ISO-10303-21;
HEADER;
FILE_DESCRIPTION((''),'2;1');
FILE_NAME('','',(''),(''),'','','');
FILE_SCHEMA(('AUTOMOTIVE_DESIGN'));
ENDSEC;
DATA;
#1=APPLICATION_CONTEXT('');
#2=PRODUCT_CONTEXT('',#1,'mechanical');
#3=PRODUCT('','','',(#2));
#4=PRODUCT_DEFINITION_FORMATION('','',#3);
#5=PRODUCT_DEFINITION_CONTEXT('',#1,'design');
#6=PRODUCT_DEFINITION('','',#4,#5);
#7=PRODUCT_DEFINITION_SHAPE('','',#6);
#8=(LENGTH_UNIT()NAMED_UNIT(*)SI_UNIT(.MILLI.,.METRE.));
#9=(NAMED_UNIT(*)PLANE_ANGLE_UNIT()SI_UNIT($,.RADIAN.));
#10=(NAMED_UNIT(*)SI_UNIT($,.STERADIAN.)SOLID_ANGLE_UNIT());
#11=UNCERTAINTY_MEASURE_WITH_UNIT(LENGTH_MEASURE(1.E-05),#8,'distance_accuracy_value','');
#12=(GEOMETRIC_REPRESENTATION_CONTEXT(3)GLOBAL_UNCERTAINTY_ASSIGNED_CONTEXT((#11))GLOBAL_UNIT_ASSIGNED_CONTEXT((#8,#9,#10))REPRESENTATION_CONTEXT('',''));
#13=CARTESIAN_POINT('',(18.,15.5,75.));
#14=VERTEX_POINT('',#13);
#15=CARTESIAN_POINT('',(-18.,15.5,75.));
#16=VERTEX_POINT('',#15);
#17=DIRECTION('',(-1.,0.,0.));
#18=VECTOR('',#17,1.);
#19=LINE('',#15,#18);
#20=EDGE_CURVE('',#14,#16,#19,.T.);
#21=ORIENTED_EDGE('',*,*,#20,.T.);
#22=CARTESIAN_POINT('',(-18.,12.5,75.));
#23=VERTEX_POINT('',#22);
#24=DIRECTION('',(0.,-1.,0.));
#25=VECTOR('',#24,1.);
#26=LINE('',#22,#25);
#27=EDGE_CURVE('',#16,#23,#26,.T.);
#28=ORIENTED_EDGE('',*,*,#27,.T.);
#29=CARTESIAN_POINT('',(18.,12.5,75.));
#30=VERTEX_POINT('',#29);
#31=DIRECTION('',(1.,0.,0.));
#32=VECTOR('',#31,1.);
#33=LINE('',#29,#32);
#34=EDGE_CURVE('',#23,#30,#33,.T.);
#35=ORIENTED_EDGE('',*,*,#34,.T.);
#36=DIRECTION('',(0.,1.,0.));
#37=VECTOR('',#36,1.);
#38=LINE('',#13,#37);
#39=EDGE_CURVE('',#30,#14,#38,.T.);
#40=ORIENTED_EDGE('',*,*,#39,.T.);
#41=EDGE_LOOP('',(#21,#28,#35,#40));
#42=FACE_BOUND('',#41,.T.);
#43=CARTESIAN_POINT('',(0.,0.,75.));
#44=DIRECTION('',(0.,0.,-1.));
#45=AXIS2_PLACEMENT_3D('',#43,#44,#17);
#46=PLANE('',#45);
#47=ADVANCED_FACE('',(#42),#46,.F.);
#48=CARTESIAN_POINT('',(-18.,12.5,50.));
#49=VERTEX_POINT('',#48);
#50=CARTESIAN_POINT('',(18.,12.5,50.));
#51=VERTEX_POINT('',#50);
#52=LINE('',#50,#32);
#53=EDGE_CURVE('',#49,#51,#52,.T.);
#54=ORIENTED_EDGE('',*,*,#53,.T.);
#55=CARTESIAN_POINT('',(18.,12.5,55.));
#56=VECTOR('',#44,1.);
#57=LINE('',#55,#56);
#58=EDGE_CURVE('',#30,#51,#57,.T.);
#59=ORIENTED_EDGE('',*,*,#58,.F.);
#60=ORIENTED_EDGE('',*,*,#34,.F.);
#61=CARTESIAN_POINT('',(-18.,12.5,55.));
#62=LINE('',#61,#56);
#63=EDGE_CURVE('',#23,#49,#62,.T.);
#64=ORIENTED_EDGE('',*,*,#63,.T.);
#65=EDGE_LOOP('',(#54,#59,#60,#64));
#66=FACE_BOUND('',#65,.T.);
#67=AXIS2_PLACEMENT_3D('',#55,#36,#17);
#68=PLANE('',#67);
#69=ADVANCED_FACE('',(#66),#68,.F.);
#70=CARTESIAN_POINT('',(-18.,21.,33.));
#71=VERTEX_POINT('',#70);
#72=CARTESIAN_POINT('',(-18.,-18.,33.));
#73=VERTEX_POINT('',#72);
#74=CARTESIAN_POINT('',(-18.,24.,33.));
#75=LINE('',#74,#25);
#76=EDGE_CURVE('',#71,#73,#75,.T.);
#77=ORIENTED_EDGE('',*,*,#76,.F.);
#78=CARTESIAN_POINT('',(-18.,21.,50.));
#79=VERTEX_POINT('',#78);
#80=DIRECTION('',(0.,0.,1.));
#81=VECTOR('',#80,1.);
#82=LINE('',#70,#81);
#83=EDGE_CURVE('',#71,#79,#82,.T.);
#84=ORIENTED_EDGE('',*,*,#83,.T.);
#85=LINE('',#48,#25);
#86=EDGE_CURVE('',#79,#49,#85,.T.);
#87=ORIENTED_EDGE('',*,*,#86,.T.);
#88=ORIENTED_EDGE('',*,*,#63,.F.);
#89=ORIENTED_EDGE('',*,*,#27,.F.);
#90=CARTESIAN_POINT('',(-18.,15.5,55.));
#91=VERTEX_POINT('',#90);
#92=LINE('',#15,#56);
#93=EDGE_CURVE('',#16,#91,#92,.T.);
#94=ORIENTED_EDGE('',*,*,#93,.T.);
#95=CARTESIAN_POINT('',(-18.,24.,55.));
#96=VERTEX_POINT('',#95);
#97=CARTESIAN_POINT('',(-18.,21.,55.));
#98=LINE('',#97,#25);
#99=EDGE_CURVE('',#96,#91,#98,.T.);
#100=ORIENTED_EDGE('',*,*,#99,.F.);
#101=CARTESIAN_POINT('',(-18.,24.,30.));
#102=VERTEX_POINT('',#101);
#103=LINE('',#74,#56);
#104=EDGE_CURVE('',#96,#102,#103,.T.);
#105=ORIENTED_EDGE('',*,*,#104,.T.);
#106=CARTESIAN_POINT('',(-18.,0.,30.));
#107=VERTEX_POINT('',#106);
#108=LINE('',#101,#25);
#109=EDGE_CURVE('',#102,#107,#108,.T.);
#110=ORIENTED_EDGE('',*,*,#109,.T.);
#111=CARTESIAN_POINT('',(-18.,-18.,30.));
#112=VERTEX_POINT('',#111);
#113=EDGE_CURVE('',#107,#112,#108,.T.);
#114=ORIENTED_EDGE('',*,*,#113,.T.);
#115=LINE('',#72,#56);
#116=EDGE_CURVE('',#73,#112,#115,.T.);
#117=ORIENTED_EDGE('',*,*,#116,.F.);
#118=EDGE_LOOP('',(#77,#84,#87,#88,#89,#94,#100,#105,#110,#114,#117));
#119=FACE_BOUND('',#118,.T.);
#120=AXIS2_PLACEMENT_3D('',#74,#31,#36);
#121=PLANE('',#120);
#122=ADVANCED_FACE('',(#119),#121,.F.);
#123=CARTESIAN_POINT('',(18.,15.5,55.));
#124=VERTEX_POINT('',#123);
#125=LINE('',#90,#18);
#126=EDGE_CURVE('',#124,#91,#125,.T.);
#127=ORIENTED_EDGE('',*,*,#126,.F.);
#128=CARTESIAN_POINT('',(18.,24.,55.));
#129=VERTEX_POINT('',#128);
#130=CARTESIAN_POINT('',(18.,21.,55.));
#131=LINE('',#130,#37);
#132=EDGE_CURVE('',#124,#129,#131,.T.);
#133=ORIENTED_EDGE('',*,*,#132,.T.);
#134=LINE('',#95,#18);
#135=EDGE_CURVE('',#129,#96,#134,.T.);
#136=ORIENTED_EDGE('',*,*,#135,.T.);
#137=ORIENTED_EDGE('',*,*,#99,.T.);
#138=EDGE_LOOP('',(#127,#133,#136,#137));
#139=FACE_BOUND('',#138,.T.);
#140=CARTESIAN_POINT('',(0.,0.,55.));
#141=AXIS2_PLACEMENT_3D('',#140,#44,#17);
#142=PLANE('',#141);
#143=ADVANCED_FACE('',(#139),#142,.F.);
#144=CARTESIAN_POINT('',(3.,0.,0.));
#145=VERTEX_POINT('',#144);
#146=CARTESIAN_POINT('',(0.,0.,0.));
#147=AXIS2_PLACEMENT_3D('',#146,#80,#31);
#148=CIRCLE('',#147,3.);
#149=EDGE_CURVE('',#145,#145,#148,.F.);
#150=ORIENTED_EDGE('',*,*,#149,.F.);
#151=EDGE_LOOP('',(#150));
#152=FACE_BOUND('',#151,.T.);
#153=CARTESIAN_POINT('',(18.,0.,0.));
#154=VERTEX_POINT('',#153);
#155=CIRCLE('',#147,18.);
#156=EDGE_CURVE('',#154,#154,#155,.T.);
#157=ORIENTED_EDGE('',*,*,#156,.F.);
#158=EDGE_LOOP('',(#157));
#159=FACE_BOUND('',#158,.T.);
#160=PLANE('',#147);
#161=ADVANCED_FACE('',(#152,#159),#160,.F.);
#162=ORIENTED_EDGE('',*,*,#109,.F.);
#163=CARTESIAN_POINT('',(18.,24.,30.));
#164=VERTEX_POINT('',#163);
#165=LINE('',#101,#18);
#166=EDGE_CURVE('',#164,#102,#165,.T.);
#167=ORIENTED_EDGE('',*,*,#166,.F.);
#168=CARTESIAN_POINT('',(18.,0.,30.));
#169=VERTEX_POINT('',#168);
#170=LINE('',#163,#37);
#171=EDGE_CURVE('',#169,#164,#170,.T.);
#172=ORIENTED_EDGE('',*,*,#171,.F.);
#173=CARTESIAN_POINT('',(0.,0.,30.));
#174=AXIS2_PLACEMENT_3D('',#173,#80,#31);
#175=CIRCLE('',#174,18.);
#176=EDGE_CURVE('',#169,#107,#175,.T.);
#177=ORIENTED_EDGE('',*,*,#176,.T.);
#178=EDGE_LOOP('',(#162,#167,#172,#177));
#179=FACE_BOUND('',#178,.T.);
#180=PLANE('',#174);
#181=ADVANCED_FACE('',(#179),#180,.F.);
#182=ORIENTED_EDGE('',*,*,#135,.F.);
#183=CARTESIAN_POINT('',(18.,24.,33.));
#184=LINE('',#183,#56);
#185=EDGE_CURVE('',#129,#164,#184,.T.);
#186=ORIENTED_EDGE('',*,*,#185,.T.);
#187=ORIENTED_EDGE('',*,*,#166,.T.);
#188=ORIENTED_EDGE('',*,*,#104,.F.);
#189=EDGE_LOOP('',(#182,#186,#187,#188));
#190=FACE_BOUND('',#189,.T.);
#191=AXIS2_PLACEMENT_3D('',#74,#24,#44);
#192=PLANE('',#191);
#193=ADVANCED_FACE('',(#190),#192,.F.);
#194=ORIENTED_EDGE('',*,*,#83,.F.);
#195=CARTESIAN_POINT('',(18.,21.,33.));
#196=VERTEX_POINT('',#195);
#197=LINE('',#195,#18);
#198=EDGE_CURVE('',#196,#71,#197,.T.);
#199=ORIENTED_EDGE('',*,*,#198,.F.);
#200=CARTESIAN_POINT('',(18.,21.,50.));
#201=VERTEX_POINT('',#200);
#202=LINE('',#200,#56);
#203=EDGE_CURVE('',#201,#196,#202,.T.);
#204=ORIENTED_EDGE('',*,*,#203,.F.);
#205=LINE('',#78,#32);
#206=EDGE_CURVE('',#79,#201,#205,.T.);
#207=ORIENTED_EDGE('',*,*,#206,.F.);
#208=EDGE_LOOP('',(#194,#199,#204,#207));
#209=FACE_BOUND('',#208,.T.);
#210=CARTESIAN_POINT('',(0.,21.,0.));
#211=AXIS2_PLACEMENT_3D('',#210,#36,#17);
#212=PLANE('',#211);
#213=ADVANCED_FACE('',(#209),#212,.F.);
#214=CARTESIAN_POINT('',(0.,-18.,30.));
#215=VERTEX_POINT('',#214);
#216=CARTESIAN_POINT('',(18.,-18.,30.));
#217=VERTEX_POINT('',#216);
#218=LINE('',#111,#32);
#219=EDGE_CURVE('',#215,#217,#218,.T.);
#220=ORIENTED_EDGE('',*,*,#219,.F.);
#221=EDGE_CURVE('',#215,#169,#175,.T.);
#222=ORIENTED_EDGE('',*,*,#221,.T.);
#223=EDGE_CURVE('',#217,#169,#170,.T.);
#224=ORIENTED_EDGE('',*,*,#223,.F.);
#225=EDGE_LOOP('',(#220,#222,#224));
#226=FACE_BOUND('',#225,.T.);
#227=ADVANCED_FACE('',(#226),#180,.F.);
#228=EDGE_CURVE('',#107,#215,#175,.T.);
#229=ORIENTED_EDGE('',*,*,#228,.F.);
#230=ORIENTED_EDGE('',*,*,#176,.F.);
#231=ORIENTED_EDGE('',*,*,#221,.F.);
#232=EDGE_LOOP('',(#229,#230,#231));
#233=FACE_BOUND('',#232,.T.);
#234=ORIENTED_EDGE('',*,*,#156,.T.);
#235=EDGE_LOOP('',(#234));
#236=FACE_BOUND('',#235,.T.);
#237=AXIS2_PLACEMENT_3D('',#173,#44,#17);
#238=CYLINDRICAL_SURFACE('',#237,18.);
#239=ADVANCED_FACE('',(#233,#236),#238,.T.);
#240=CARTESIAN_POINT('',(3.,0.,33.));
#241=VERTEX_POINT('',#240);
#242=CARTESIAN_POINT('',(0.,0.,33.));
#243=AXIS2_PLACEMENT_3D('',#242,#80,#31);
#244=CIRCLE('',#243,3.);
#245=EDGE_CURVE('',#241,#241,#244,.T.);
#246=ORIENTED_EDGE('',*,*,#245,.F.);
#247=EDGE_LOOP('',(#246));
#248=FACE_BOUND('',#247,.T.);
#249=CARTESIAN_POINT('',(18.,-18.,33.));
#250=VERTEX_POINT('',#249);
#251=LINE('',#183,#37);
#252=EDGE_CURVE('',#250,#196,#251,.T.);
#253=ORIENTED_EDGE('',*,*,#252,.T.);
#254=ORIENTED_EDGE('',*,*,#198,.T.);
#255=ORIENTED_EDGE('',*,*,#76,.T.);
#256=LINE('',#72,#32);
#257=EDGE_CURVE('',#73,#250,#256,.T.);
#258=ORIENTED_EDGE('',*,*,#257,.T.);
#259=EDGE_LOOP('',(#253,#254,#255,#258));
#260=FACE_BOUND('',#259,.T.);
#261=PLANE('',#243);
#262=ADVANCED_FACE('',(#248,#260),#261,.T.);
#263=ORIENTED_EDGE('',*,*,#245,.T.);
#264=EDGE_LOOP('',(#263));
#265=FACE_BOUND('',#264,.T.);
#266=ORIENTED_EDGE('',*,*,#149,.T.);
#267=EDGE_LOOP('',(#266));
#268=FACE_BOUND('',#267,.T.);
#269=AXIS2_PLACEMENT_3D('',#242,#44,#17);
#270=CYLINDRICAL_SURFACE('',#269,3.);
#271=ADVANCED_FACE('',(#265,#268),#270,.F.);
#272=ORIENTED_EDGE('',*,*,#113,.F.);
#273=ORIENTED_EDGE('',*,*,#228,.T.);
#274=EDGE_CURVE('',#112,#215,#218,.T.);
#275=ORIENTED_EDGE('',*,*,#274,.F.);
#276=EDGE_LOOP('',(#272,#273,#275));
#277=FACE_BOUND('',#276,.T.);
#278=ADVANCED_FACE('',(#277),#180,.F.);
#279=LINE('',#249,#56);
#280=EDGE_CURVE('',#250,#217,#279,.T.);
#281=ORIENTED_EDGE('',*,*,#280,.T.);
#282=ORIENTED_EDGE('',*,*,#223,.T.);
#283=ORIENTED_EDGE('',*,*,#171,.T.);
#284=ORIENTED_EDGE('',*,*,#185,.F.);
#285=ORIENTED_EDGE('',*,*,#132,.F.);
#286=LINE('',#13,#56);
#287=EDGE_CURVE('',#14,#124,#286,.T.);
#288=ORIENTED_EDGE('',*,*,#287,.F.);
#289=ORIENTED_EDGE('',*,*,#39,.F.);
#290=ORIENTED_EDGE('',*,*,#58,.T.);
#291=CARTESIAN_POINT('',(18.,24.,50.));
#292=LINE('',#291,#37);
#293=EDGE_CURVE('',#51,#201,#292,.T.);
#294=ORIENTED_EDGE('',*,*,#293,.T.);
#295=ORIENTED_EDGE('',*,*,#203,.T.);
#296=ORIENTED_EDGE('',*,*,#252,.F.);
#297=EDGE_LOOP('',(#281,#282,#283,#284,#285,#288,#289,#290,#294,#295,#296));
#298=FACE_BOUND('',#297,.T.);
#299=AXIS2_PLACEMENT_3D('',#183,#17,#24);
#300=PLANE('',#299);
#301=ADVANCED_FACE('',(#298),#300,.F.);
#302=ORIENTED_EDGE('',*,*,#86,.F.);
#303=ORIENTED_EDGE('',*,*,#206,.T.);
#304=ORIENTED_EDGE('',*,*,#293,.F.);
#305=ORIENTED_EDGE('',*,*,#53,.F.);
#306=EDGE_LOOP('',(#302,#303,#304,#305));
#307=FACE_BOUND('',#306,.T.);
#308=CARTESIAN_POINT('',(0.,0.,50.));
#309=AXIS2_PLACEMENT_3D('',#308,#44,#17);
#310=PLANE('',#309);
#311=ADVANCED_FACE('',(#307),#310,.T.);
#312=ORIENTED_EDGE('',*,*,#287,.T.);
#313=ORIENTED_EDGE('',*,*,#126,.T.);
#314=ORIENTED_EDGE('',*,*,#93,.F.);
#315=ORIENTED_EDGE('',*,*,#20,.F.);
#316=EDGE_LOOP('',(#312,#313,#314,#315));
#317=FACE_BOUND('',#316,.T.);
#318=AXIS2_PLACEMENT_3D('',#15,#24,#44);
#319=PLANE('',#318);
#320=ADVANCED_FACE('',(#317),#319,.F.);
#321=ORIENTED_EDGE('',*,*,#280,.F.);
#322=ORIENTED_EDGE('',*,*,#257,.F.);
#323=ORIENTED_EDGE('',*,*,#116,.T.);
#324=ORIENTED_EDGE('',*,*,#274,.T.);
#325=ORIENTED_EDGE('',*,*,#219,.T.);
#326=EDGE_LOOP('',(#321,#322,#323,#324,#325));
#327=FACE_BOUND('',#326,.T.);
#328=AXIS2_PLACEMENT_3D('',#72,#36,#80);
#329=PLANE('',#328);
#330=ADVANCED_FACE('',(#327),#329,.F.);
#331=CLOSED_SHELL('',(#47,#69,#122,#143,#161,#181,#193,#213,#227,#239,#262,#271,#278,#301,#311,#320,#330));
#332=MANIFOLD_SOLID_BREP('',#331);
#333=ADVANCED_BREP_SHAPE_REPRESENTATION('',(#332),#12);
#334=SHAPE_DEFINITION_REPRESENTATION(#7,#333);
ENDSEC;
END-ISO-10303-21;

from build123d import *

# Parameters (mm, degrees)
SKETCH2_R               = 18
BOSS_EXTRUDE1_DEPTH     = 30
SKETCH4_W               = 36
SKETCH4_H               = 42
BOSS_EXTRUDE2_DEPTH     = 3
CUT_EXTRUDE1_DEPTH      = 3
CUT_EXTRUDE1_DEPTH_BACK = 60
SKETCH3_R               = 3
SKETCH6_W               = 36
SKETCH6_H               = 17
BOSS_EXTRUDE3_DEPTH     = 3
BOSS_EXTRUDE4_DEPTH     = 5
SKETCH8_W               = 36
SKETCH8_H               = 3
BOSS_EXTRUDE5_DEPTH     = 20


with BuildPart() as part:
    # Sketch2 → Boss-Extrude1 (new body)
    with BuildSketch(Plane.XY):
        Circle(SKETCH2_R)
    extrude(amount=BOSS_EXTRUDE1_DEPTH)

    # Sketch4 → Boss-Extrude2 (add)
    with BuildSketch(Plane.XY.offset(30)):
        with Locations((0, 3)):
            Rectangle(SKETCH4_W, SKETCH4_H)
    extrude(amount=BOSS_EXTRUDE2_DEPTH)

    # Sketch3 → Cut-Extrude1 (cut, two sides: drawn at the far end of the back side and taken through both)
    with BuildSketch(Plane.XY.offset(30).offset(-CUT_EXTRUDE1_DEPTH_BACK)):
        Circle(SKETCH3_R)
    extrude(amount=CUT_EXTRUDE1_DEPTH + CUT_EXTRUDE1_DEPTH_BACK, mode=Mode.SUBTRACT)

    # Sketch6 → Boss-Extrude3 (add)
    with BuildSketch(Plane(origin=(0, 24, 0), x_dir=(1, 0, 0), z_dir=(0, 1, 0))):
        with Locations((0, -41.5)):
            Rectangle(SKETCH6_W, SKETCH6_H)
    extrude(amount=-BOSS_EXTRUDE3_DEPTH)

    # Sketch7 → Boss-Extrude4 (add)
    with BuildSketch(Plane.XY.offset(50)):
        Polygon((18, 21), (18, 12.5), (-18, 12.5), (-18, 21), (-18, 24), (18, 24), align=None)
    extrude(amount=BOSS_EXTRUDE4_DEPTH)

    # Sketch8 → Boss-Extrude5 (add)
    with BuildSketch(Plane.XY.offset(55)):
        with Locations((0, 14)):
            Rectangle(SKETCH8_W, SKETCH8_H)
    extrude(amount=BOSS_EXTRUDE5_DEPTH)


solid = part.part
